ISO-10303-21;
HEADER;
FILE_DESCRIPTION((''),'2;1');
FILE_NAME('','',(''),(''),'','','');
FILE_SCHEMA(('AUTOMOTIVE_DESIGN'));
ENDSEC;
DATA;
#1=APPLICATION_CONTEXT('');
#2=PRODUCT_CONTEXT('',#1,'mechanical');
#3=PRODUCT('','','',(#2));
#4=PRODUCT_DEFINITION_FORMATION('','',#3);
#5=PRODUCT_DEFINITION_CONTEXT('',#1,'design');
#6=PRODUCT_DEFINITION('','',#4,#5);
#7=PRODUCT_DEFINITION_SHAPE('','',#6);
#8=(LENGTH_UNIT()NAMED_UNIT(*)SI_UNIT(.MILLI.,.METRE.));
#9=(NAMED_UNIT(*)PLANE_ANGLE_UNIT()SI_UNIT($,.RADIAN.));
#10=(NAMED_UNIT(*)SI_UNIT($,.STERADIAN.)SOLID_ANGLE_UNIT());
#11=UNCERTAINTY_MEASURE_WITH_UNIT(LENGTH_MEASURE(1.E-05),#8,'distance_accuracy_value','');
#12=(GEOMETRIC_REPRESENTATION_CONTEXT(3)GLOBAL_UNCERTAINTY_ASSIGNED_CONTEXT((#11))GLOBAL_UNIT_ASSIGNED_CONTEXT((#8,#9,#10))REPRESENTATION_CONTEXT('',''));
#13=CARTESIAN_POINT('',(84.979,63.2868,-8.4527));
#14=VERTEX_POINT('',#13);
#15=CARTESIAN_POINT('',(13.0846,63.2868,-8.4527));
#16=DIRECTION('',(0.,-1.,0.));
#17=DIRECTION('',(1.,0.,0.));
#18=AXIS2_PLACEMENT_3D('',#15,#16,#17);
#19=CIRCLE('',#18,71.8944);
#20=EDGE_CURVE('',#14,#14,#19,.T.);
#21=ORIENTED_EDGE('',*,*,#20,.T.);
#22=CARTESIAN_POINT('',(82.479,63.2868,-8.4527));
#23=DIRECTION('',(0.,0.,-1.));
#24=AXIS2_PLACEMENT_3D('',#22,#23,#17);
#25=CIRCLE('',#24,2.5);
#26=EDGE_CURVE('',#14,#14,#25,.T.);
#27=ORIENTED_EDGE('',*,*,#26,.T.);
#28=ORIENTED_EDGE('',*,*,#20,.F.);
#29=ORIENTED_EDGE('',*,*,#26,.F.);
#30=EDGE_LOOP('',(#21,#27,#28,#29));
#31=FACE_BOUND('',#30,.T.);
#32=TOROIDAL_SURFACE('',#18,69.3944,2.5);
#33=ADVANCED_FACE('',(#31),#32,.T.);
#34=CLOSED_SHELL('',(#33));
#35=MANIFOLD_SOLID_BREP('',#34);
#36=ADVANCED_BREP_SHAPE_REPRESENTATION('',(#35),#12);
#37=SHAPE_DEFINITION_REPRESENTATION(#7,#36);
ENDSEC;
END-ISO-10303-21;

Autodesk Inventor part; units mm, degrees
ref_plane "YZ Plane" through (0, 0, 0) normal (1, 0, 0) x (0, 1, 0)
ref_plane "Work Plane1" through (13.0846, 63.2868, -7.3851) normal (0, -1, 0) x (1, 0, 0)
sketch "Sketch1" plane through (13.0846, 63.2868, -7.3851) normal (0, -1, 0) x (1, 0, 0)
  circle A0 centre (0, -1.0676) radius 67.3144 construction
  circle A1 centre (0, -1.0676) radius 65.3144 construction
  arc A2 (21.565, -71.3061) -> (41.0886, -67.5378) centre (26.3661, -43.7208) ccw construction
  arc A3 (21.565, -71.3061) -> (-21.565, -71.3061) centre (0, -1.0676) ccw construction
  arc A4 (-41.0886, -67.5378) -> (-21.565, -71.3061) centre (-26.3661, -43.7208) ccw construction
  arc A5 (-78.1444, -1.0676) -> (-41.0886, -67.5378) centre (0, -1.0676) ccw construction
  line L0 (-78.1444, -1.0676) -> (-78.1444, 85.0131) construction
  line L1 (-78.1444, 85.0131) -> (-69.4624, 93.6951) construction
  line L2 (-69.4624, 93.6951) -> (69.4624, 93.6951) construction
  line L3 (69.4624, 93.6951) -> (78.1444, 85.0131) construction
  line L4 (78.1444, 85.0131) -> (78.1444, -1.0676) construction
  arc A6 (41.0886, -67.5378) -> (78.1444, -1.0676) centre (0, -1.0676) ccw construction
  arc A7 (14.16, -71.1254) -> (42.1402, -69.239) centre (26.3661, -43.7208) ccw construction
  arc A8 (42.1402, -69.239) -> (80.1444, -1.0676) centre (0, -1.0676) ccw construction
  line L5 (80.1444, -1.0676) -> (80.1444, 85.8416) construction
  line L6 (80.1444, 85.8416) -> (70.2909, 95.6951) construction
  line L7 (70.2909, 95.6951) -> (-70.2909, 95.6951) construction
  line L8 (-70.2909, 95.6951) -> (-80.1444, 85.8416) construction
  line L9 (-80.1444, 85.8416) -> (-80.1444, -1.0676) construction
  arc A9 (-80.1444, -1.0676) -> (-42.1402, -69.239) centre (0, -1.0676) ccw construction
  arc A10 (-42.1402, -69.239) -> (-14.16, -71.1254) centre (-26.3661, -43.7208) ccw construction
  arc A11 (14.16, -71.1254) -> (-14.16, -71.1254) centre (0, -1.0676) ccw construction
  circle A12 centre (0, -1.0676) radius 69.3944
  point P0 (-13.0846, 7.3851)
  point P1 (-69.3944, -1.0676)
  dimension "d0" = 2.08
ref_plane "Work Plane2" through (-56.3098, 63.2868, -8.4527) normal (0, 0, -1) x (-1, 0, 0)
sketch "Sketch2" plane through (-56.3098, 63.2868, -8.4527) normal (0, 0, -1) x (-1, 0, 0)
  circle A0 centre (0, 0) radius 2.5
  point P0 (-56.3098, -63.2868)
  dimension "d1" = 5
sweep "Sweep1" add profiles "Sketch2" path "Sketch1"
properties part number "upper_middle_gasket" material "Rubber, Black"
